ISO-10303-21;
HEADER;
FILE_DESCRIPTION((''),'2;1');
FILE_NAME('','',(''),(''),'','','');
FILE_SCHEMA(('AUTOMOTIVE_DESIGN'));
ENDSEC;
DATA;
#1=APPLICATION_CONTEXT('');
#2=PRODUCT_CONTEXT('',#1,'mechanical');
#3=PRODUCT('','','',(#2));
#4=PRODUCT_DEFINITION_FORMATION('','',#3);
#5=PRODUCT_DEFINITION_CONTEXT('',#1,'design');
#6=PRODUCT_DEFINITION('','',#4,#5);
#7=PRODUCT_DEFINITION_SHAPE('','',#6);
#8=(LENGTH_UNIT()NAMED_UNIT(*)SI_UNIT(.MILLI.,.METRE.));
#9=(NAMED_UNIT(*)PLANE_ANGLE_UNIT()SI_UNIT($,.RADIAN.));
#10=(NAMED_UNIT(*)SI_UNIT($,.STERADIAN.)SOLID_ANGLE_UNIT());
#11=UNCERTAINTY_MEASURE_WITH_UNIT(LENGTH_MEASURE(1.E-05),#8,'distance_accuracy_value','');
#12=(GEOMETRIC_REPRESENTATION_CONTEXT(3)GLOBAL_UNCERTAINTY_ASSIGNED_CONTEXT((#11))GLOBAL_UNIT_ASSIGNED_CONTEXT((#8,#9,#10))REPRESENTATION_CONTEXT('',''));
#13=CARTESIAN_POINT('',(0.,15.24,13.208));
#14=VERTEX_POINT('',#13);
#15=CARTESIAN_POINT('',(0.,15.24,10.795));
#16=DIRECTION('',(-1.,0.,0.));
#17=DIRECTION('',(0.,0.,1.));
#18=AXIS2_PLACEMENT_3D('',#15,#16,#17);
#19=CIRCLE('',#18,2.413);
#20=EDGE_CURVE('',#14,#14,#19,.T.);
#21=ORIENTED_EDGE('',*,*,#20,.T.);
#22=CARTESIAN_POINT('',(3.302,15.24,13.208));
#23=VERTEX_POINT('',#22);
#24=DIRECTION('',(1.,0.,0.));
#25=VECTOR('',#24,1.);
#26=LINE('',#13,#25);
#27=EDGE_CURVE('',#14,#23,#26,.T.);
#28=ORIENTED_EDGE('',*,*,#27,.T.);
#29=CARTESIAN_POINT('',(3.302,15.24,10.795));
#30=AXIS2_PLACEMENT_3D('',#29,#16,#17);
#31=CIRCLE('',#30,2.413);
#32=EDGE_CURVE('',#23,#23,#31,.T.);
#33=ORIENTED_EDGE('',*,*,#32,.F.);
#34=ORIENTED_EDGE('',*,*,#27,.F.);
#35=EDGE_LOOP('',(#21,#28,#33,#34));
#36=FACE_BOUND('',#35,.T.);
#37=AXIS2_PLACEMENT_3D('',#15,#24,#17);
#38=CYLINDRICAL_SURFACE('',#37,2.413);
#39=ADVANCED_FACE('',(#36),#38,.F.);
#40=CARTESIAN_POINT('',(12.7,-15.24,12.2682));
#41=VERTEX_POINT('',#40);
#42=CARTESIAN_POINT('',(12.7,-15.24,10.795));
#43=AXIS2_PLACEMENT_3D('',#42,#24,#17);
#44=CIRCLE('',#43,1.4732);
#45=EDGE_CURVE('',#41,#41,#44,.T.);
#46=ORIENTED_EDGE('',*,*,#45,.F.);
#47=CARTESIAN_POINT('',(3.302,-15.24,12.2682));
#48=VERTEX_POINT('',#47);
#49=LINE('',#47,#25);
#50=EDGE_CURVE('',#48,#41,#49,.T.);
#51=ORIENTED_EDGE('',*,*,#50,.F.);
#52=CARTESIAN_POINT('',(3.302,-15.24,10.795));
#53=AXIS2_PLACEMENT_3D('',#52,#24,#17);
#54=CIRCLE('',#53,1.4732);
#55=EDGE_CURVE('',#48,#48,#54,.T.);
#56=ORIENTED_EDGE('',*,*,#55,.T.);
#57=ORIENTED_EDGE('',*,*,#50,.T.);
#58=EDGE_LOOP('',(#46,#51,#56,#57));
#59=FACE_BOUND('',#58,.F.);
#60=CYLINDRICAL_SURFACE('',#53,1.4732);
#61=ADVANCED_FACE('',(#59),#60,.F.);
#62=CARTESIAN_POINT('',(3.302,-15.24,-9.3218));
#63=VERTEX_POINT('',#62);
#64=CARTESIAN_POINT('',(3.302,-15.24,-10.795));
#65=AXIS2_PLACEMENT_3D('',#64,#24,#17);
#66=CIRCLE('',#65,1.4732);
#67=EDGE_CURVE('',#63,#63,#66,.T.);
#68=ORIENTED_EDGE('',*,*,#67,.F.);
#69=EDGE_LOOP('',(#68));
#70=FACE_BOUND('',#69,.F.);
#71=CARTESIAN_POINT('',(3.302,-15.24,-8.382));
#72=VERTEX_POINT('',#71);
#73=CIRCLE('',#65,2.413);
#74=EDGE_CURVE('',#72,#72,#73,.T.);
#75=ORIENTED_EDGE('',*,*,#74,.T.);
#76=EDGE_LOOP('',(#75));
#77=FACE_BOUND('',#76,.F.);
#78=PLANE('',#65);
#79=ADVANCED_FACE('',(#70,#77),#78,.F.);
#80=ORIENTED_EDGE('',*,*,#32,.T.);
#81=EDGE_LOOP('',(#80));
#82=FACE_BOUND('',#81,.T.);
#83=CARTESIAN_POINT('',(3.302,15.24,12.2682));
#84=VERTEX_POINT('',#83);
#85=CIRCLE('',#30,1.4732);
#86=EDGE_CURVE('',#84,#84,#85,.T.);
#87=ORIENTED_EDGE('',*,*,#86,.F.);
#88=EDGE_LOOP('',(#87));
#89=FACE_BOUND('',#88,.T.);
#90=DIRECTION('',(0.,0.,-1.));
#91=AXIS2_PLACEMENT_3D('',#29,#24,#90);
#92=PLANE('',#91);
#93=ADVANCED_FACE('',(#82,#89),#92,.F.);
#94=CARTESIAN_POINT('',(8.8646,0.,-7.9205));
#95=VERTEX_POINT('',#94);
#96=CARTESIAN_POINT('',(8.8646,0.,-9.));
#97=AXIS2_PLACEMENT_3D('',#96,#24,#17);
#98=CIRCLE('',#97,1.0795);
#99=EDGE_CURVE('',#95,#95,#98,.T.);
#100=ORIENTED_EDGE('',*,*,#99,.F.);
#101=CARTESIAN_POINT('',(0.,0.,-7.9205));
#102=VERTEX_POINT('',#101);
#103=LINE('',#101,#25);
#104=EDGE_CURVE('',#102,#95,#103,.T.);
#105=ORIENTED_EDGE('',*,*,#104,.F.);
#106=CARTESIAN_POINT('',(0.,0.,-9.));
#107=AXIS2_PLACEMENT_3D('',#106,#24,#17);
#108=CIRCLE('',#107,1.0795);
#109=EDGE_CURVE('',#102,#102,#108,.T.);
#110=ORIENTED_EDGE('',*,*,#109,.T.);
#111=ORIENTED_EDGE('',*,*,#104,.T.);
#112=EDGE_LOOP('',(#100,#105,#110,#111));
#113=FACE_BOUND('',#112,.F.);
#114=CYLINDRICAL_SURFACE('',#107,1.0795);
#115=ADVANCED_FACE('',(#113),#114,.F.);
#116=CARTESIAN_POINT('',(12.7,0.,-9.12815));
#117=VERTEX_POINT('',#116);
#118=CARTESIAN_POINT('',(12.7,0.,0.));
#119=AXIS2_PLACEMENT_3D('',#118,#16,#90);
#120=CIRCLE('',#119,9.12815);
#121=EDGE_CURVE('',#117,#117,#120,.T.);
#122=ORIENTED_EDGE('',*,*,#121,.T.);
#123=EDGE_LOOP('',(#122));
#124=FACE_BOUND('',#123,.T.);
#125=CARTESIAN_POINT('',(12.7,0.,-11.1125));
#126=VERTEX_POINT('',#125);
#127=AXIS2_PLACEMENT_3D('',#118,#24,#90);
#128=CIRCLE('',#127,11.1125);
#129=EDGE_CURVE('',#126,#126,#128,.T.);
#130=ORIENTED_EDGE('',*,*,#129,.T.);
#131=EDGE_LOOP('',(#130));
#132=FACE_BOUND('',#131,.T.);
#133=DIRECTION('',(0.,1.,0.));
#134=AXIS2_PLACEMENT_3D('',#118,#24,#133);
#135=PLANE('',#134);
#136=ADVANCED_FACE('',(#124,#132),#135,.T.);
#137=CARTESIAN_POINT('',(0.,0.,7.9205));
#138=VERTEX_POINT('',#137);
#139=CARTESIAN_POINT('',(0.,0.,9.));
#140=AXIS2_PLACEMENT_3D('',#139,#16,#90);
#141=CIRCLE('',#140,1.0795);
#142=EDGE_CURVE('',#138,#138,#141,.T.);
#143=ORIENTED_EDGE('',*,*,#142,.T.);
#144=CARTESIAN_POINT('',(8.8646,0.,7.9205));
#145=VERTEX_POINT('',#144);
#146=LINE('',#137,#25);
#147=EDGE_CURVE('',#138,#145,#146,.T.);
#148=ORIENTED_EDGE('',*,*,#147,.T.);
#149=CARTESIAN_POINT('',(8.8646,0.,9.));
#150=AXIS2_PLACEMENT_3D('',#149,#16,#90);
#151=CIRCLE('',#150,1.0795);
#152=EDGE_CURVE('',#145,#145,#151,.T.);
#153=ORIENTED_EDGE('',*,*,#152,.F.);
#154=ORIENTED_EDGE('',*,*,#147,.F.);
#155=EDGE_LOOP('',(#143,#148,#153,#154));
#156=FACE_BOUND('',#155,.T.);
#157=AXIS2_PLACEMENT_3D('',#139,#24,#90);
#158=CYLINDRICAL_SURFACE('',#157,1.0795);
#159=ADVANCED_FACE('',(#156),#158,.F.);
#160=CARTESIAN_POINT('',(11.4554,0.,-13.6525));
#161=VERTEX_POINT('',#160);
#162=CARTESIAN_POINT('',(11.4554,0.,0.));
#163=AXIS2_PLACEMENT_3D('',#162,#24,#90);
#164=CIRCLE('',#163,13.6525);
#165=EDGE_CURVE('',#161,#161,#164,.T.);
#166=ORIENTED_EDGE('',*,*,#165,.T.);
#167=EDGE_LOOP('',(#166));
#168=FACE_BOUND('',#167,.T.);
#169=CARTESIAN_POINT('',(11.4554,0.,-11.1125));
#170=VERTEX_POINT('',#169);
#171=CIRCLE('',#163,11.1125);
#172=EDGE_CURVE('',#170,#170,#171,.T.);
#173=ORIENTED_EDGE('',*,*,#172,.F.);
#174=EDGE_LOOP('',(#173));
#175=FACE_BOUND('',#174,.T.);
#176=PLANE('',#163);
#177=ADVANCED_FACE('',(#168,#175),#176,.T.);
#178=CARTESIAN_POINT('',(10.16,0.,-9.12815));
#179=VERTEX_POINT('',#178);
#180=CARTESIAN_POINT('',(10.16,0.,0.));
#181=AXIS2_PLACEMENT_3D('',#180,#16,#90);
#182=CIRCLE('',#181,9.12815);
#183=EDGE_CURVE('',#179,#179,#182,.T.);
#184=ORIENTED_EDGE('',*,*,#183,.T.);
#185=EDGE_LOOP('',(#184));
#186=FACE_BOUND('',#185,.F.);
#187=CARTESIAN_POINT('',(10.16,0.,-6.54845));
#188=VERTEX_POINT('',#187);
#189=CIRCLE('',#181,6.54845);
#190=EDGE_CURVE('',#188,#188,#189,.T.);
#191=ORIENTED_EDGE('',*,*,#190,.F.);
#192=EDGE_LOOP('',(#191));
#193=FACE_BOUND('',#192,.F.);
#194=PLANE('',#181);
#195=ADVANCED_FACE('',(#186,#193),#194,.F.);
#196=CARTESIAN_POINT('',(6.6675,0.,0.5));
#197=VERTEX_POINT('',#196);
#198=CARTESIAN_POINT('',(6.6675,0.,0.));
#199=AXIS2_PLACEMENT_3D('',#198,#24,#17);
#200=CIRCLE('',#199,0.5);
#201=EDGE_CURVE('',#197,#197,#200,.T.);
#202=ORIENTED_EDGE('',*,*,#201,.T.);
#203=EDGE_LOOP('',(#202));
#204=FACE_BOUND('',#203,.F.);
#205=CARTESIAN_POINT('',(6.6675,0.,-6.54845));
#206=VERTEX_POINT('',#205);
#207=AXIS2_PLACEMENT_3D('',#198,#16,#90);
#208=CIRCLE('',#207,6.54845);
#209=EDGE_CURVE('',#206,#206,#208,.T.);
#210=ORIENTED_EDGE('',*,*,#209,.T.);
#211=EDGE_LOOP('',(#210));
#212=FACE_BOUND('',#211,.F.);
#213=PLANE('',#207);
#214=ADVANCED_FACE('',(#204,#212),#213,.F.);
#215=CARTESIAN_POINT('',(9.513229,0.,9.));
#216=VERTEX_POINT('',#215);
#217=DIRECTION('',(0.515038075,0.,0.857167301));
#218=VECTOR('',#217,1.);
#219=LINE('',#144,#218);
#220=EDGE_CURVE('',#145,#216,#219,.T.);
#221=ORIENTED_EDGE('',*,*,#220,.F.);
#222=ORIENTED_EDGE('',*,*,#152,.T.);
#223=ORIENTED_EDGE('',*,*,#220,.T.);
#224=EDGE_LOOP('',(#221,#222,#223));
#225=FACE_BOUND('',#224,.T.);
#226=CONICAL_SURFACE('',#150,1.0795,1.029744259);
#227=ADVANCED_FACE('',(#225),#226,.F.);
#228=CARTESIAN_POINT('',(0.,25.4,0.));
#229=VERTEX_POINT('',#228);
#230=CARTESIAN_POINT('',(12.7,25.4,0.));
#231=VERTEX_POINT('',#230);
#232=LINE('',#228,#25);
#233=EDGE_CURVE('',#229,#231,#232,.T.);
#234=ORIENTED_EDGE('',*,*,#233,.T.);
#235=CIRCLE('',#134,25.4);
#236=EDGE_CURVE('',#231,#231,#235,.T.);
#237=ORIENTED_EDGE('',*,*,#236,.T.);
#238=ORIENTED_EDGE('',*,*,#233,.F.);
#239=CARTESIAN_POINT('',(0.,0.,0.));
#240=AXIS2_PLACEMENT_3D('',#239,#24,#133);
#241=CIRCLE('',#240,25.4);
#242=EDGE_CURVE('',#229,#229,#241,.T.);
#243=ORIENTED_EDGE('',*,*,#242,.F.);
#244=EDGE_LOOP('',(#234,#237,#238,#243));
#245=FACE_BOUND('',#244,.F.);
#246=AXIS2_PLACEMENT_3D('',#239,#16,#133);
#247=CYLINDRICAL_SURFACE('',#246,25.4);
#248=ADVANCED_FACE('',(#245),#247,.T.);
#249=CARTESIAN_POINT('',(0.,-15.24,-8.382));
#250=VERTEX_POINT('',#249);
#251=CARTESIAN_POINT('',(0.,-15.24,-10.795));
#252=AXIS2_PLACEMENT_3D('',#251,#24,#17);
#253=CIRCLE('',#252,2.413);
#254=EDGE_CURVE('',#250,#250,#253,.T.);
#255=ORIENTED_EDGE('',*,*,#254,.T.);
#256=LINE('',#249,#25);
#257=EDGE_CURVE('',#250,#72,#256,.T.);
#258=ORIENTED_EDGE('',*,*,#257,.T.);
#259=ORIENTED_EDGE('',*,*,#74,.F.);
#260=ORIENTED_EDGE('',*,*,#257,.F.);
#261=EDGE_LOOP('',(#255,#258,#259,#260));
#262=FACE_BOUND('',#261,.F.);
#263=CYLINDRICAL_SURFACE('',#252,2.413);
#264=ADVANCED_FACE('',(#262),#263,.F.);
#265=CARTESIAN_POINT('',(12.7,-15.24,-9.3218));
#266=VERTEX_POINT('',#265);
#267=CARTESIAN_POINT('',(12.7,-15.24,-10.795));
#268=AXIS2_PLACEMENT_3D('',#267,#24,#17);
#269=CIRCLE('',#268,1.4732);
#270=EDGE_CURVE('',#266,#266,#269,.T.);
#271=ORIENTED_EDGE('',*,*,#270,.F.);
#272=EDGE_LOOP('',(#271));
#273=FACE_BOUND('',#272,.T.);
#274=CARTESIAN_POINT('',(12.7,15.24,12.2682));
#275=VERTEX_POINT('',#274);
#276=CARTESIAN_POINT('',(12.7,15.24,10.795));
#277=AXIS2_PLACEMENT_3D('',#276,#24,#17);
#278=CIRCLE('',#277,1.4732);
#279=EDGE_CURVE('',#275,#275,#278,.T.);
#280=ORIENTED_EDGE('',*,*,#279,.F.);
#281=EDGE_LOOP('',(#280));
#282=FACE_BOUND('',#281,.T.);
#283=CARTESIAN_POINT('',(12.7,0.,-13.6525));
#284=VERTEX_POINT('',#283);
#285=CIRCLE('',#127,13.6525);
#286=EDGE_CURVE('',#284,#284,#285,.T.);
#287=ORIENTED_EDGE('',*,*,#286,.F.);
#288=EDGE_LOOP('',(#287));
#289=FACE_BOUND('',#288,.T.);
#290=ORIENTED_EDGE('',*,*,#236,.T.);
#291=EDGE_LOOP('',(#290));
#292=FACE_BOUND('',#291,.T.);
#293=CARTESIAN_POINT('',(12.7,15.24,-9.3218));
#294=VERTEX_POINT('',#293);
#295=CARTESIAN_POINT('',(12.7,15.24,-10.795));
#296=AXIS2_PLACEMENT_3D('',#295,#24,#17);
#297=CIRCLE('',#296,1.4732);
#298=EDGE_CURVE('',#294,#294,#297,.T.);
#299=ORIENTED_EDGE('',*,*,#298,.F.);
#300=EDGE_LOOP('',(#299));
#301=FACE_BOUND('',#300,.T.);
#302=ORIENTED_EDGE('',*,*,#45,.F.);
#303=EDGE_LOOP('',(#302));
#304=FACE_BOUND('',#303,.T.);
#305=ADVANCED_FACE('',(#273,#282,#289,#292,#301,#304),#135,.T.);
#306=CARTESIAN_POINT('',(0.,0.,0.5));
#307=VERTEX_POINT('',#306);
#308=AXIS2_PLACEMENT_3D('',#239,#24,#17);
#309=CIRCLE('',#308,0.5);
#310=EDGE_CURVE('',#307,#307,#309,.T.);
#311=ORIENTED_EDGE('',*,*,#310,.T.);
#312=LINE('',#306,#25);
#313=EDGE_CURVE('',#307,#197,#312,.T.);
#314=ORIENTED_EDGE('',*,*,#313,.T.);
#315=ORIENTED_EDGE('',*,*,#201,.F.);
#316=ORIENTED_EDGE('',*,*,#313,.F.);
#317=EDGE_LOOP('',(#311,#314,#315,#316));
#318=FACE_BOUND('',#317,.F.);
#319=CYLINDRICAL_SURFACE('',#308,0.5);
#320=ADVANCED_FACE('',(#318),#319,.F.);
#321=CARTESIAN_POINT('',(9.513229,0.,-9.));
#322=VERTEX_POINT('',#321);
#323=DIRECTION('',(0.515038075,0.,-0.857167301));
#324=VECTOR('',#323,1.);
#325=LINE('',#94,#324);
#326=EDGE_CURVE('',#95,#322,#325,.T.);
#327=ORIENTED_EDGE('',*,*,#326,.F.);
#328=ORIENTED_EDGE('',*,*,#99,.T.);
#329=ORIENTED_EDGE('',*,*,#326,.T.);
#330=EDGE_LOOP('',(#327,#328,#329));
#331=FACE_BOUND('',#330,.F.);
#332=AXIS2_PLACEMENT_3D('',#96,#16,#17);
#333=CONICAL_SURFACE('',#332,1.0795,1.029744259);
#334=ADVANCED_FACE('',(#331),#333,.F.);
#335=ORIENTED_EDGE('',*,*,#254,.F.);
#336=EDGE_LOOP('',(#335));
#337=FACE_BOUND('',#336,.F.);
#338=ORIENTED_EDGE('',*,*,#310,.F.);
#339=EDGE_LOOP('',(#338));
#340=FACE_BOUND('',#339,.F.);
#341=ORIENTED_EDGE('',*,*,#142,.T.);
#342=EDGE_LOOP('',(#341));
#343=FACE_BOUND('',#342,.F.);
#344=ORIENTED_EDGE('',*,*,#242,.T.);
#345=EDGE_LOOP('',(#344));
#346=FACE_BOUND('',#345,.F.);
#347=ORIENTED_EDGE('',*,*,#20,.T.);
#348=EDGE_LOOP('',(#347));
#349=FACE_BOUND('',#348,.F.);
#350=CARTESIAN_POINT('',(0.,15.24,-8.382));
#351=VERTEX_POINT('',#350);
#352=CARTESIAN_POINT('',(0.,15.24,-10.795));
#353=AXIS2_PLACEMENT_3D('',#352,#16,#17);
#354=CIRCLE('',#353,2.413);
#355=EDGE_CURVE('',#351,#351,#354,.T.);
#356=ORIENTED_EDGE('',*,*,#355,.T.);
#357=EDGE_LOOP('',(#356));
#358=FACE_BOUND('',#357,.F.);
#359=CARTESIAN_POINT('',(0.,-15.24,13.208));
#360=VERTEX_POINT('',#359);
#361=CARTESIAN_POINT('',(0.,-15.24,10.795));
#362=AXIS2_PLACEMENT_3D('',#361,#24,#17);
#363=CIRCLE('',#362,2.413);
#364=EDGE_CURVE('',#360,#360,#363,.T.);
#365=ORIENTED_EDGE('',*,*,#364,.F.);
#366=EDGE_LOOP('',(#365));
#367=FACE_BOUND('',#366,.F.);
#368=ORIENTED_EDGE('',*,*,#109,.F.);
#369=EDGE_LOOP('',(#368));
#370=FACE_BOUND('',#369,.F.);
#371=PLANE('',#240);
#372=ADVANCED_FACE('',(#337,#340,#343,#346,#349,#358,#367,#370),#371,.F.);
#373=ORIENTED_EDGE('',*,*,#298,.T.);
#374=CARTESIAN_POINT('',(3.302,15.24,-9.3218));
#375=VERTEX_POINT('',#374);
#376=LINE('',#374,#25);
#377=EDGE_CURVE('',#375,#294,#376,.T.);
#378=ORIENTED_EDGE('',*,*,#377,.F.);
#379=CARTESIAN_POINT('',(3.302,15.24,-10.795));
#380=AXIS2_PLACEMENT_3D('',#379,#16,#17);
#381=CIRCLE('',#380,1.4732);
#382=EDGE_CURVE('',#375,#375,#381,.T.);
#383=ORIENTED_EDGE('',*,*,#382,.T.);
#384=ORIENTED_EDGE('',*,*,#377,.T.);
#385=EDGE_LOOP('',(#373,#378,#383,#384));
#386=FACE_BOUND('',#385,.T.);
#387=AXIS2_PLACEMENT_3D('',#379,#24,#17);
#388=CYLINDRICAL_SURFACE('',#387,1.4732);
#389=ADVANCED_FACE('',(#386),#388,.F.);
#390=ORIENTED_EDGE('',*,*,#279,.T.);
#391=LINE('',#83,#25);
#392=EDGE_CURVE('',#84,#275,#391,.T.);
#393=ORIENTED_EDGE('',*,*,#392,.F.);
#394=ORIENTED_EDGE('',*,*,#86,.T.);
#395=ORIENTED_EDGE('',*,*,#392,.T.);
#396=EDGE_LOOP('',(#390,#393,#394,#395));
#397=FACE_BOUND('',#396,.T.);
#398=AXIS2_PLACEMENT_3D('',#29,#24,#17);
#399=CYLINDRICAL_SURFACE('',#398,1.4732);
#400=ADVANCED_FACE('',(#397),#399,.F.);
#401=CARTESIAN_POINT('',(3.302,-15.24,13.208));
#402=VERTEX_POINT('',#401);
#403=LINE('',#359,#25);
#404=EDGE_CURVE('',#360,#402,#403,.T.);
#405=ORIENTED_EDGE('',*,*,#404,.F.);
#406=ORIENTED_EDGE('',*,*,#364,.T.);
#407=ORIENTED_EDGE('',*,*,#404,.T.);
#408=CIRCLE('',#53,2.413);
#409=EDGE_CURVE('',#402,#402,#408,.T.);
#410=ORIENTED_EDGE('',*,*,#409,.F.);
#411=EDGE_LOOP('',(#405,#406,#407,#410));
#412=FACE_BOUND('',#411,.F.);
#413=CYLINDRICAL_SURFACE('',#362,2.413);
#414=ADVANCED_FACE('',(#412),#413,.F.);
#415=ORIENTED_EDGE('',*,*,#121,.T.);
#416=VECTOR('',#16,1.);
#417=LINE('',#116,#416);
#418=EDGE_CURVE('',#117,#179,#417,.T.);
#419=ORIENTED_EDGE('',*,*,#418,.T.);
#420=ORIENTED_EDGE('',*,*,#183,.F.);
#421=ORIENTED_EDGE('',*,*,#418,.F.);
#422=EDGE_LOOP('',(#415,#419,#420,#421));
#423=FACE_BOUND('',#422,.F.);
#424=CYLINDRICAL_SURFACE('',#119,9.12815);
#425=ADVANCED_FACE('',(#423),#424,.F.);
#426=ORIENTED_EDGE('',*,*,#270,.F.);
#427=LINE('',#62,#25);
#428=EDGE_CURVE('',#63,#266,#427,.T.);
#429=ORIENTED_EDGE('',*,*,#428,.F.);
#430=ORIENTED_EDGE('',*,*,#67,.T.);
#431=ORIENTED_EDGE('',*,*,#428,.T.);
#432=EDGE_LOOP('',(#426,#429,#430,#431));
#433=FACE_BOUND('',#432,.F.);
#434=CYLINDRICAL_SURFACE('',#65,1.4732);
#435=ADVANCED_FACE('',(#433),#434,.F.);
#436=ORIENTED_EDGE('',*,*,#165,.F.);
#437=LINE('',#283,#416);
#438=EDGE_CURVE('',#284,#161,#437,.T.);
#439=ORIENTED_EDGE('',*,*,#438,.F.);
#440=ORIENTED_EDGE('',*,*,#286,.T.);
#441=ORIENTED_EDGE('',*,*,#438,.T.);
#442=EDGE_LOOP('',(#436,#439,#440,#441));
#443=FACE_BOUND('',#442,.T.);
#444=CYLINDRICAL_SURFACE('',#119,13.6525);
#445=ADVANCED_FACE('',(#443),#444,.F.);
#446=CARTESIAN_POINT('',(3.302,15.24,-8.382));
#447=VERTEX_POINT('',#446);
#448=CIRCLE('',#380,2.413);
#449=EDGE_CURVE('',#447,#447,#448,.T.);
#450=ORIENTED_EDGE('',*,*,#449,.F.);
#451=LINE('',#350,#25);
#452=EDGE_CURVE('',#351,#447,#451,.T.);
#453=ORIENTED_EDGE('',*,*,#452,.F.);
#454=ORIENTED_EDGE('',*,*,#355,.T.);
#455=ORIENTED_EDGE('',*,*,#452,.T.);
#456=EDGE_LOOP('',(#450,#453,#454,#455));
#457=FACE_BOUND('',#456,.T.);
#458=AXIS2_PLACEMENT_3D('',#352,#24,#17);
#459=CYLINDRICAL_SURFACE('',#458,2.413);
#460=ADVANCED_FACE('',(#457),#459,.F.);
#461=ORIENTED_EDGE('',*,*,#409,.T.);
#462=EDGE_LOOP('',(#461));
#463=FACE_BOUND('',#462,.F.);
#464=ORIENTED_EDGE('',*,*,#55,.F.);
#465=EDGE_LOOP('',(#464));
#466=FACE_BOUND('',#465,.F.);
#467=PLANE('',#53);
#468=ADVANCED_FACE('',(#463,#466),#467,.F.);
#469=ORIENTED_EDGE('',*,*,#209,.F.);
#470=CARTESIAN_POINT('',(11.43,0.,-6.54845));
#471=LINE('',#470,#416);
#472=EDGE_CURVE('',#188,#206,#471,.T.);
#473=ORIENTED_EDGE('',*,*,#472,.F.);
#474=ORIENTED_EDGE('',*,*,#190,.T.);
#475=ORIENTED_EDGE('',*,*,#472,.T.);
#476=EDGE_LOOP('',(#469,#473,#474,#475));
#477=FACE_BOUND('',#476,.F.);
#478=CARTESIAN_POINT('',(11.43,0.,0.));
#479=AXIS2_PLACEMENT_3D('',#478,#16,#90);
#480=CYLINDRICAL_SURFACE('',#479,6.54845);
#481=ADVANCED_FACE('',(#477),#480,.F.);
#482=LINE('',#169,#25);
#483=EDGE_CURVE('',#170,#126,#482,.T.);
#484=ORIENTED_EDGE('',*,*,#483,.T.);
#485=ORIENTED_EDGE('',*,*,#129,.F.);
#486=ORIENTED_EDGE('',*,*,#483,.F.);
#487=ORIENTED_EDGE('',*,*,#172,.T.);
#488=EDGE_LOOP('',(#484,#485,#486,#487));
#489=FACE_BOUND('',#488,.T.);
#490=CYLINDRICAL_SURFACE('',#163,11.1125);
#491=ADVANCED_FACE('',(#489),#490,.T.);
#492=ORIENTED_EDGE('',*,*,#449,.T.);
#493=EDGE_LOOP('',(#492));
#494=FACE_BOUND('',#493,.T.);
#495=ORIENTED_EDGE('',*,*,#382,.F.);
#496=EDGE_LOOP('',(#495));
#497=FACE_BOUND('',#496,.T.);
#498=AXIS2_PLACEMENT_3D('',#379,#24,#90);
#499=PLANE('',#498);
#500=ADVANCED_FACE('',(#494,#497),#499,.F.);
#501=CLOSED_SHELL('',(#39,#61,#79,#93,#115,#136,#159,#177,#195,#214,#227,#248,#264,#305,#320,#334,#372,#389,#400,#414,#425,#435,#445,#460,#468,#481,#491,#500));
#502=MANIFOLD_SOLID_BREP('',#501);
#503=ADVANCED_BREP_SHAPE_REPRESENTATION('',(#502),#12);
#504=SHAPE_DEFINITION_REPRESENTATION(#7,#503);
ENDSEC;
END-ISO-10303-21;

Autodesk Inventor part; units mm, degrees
ref_plane "YZ Plane" through (0, 0, 0) normal (1, 0, 0) x (0, 1, 0)
sketch "Sketch1" plane through (0, 0, 0) normal (1, 0, 0) x (0, 1, 0)
  circle A0 centre (0, 0) radius 25.4
  dimension "d0" = 50.8
extrude "Extrusion1" add sketch "Sketch1" along normal blind 12.7
sketch "Sketch10" plane through (12.7, 0, 0) normal (1, 0, 0) x (0, 0, -1)
  point P0 (0, 0)
  point P1 (0, 0)
hole "Hole4" at (12.7, 0, 0) direction (-1, 0, 0) diameter 18.2563 depth 2.54
ref_plane "Work Plane2" through (11.43, 0, 0) normal (1, 0, 0) x (0, 0, -1)
hole "Hole1" at (11.43, 0, 0) direction (-1, 0, 0) diameter 13.0969 depth 4.7625
ref_plane "Work Plane1" through (-12.7, 0, 0) normal (1, 0, 0) x (0, 0, -1)
sketch "Sketch5" plane through (0, 0, 0) normal (1, 0, 0) x (0, 1, 0)
  line L0 (0, 9) -> (0, -9)
  circle A0 centre (0, 0) radius 25.4 projected
  line L1 (-15.24, 0) -> (15.24, 0)
  line L2 (-15.24, 10.795) -> (-15.24, -10.795)
  dimension "d37" = 18
  dimension "d45" = 30.48
  dimension "d46" = 21.59
hole "Hole2" at (0, 0, -9) direction (1, 0, 0) diameter 2.159 depth 8.8646 tip angle 118
sketch "Sketch6" plane through (0, 0, 0) normal (-1, 0, 0) x (0, 0, 1)
  circle A0 centre (0, 0) radius 0.5715
  dimension "d34" = 1.143
hole "Hole5" at (0, 0, 0) direction (1, 0, 0) diameter 1 end through all
mirror "Mirror1" about plane through (0, 0, 0) normal (0, 0, 1) of "Hole2"
hole "Hole3" at (0, -15.24, 10.795) at (0, -15.24, -10.795) direction (1, 0, 0) diameter 2.9464 end through all counterbore diameter 4.826 counterbore depth 3.302 clearance for "Socket Head Cap Screw" size "#4" standard "Ansi Unified Screw Threads"
mirror "Mirror2" about plane through (0, 0, 0) normal (0, 1, 0) of "Hole3"
sketch "Sketch9" plane through (0, 0, 0) normal (0, 1, 0) x (-1, 0, 0)
  line L0 (-11.4554, -11.1125) -> (-12.7, -11.1125)
  line L1 (-12.7, -11.1125) -> (-12.7, -13.6525)
  line L2 (-12.7, -13.6525) -> (-11.4554, -13.6525)
  line L3 (-11.4554, -13.6525) -> (-11.4554, -11.1125)
  line L4 (2.54, 0) -> (-15.24, 0) projected
  line L5 (-12.7, 25.4) -> (-12.7, -25.4) projected
  point P0 (0, 0)
  dimension "d55" = 2.54
  dimension "d56" = 1.2446
  dimension "d59" = 11.1125
revolve "Revolution1" cut sketch "Sketch9" angle 360 about axis through (-10, 0, 0) along (1, 0, 0)
properties part number ".5 in hole" material "Aluminum 6061"
